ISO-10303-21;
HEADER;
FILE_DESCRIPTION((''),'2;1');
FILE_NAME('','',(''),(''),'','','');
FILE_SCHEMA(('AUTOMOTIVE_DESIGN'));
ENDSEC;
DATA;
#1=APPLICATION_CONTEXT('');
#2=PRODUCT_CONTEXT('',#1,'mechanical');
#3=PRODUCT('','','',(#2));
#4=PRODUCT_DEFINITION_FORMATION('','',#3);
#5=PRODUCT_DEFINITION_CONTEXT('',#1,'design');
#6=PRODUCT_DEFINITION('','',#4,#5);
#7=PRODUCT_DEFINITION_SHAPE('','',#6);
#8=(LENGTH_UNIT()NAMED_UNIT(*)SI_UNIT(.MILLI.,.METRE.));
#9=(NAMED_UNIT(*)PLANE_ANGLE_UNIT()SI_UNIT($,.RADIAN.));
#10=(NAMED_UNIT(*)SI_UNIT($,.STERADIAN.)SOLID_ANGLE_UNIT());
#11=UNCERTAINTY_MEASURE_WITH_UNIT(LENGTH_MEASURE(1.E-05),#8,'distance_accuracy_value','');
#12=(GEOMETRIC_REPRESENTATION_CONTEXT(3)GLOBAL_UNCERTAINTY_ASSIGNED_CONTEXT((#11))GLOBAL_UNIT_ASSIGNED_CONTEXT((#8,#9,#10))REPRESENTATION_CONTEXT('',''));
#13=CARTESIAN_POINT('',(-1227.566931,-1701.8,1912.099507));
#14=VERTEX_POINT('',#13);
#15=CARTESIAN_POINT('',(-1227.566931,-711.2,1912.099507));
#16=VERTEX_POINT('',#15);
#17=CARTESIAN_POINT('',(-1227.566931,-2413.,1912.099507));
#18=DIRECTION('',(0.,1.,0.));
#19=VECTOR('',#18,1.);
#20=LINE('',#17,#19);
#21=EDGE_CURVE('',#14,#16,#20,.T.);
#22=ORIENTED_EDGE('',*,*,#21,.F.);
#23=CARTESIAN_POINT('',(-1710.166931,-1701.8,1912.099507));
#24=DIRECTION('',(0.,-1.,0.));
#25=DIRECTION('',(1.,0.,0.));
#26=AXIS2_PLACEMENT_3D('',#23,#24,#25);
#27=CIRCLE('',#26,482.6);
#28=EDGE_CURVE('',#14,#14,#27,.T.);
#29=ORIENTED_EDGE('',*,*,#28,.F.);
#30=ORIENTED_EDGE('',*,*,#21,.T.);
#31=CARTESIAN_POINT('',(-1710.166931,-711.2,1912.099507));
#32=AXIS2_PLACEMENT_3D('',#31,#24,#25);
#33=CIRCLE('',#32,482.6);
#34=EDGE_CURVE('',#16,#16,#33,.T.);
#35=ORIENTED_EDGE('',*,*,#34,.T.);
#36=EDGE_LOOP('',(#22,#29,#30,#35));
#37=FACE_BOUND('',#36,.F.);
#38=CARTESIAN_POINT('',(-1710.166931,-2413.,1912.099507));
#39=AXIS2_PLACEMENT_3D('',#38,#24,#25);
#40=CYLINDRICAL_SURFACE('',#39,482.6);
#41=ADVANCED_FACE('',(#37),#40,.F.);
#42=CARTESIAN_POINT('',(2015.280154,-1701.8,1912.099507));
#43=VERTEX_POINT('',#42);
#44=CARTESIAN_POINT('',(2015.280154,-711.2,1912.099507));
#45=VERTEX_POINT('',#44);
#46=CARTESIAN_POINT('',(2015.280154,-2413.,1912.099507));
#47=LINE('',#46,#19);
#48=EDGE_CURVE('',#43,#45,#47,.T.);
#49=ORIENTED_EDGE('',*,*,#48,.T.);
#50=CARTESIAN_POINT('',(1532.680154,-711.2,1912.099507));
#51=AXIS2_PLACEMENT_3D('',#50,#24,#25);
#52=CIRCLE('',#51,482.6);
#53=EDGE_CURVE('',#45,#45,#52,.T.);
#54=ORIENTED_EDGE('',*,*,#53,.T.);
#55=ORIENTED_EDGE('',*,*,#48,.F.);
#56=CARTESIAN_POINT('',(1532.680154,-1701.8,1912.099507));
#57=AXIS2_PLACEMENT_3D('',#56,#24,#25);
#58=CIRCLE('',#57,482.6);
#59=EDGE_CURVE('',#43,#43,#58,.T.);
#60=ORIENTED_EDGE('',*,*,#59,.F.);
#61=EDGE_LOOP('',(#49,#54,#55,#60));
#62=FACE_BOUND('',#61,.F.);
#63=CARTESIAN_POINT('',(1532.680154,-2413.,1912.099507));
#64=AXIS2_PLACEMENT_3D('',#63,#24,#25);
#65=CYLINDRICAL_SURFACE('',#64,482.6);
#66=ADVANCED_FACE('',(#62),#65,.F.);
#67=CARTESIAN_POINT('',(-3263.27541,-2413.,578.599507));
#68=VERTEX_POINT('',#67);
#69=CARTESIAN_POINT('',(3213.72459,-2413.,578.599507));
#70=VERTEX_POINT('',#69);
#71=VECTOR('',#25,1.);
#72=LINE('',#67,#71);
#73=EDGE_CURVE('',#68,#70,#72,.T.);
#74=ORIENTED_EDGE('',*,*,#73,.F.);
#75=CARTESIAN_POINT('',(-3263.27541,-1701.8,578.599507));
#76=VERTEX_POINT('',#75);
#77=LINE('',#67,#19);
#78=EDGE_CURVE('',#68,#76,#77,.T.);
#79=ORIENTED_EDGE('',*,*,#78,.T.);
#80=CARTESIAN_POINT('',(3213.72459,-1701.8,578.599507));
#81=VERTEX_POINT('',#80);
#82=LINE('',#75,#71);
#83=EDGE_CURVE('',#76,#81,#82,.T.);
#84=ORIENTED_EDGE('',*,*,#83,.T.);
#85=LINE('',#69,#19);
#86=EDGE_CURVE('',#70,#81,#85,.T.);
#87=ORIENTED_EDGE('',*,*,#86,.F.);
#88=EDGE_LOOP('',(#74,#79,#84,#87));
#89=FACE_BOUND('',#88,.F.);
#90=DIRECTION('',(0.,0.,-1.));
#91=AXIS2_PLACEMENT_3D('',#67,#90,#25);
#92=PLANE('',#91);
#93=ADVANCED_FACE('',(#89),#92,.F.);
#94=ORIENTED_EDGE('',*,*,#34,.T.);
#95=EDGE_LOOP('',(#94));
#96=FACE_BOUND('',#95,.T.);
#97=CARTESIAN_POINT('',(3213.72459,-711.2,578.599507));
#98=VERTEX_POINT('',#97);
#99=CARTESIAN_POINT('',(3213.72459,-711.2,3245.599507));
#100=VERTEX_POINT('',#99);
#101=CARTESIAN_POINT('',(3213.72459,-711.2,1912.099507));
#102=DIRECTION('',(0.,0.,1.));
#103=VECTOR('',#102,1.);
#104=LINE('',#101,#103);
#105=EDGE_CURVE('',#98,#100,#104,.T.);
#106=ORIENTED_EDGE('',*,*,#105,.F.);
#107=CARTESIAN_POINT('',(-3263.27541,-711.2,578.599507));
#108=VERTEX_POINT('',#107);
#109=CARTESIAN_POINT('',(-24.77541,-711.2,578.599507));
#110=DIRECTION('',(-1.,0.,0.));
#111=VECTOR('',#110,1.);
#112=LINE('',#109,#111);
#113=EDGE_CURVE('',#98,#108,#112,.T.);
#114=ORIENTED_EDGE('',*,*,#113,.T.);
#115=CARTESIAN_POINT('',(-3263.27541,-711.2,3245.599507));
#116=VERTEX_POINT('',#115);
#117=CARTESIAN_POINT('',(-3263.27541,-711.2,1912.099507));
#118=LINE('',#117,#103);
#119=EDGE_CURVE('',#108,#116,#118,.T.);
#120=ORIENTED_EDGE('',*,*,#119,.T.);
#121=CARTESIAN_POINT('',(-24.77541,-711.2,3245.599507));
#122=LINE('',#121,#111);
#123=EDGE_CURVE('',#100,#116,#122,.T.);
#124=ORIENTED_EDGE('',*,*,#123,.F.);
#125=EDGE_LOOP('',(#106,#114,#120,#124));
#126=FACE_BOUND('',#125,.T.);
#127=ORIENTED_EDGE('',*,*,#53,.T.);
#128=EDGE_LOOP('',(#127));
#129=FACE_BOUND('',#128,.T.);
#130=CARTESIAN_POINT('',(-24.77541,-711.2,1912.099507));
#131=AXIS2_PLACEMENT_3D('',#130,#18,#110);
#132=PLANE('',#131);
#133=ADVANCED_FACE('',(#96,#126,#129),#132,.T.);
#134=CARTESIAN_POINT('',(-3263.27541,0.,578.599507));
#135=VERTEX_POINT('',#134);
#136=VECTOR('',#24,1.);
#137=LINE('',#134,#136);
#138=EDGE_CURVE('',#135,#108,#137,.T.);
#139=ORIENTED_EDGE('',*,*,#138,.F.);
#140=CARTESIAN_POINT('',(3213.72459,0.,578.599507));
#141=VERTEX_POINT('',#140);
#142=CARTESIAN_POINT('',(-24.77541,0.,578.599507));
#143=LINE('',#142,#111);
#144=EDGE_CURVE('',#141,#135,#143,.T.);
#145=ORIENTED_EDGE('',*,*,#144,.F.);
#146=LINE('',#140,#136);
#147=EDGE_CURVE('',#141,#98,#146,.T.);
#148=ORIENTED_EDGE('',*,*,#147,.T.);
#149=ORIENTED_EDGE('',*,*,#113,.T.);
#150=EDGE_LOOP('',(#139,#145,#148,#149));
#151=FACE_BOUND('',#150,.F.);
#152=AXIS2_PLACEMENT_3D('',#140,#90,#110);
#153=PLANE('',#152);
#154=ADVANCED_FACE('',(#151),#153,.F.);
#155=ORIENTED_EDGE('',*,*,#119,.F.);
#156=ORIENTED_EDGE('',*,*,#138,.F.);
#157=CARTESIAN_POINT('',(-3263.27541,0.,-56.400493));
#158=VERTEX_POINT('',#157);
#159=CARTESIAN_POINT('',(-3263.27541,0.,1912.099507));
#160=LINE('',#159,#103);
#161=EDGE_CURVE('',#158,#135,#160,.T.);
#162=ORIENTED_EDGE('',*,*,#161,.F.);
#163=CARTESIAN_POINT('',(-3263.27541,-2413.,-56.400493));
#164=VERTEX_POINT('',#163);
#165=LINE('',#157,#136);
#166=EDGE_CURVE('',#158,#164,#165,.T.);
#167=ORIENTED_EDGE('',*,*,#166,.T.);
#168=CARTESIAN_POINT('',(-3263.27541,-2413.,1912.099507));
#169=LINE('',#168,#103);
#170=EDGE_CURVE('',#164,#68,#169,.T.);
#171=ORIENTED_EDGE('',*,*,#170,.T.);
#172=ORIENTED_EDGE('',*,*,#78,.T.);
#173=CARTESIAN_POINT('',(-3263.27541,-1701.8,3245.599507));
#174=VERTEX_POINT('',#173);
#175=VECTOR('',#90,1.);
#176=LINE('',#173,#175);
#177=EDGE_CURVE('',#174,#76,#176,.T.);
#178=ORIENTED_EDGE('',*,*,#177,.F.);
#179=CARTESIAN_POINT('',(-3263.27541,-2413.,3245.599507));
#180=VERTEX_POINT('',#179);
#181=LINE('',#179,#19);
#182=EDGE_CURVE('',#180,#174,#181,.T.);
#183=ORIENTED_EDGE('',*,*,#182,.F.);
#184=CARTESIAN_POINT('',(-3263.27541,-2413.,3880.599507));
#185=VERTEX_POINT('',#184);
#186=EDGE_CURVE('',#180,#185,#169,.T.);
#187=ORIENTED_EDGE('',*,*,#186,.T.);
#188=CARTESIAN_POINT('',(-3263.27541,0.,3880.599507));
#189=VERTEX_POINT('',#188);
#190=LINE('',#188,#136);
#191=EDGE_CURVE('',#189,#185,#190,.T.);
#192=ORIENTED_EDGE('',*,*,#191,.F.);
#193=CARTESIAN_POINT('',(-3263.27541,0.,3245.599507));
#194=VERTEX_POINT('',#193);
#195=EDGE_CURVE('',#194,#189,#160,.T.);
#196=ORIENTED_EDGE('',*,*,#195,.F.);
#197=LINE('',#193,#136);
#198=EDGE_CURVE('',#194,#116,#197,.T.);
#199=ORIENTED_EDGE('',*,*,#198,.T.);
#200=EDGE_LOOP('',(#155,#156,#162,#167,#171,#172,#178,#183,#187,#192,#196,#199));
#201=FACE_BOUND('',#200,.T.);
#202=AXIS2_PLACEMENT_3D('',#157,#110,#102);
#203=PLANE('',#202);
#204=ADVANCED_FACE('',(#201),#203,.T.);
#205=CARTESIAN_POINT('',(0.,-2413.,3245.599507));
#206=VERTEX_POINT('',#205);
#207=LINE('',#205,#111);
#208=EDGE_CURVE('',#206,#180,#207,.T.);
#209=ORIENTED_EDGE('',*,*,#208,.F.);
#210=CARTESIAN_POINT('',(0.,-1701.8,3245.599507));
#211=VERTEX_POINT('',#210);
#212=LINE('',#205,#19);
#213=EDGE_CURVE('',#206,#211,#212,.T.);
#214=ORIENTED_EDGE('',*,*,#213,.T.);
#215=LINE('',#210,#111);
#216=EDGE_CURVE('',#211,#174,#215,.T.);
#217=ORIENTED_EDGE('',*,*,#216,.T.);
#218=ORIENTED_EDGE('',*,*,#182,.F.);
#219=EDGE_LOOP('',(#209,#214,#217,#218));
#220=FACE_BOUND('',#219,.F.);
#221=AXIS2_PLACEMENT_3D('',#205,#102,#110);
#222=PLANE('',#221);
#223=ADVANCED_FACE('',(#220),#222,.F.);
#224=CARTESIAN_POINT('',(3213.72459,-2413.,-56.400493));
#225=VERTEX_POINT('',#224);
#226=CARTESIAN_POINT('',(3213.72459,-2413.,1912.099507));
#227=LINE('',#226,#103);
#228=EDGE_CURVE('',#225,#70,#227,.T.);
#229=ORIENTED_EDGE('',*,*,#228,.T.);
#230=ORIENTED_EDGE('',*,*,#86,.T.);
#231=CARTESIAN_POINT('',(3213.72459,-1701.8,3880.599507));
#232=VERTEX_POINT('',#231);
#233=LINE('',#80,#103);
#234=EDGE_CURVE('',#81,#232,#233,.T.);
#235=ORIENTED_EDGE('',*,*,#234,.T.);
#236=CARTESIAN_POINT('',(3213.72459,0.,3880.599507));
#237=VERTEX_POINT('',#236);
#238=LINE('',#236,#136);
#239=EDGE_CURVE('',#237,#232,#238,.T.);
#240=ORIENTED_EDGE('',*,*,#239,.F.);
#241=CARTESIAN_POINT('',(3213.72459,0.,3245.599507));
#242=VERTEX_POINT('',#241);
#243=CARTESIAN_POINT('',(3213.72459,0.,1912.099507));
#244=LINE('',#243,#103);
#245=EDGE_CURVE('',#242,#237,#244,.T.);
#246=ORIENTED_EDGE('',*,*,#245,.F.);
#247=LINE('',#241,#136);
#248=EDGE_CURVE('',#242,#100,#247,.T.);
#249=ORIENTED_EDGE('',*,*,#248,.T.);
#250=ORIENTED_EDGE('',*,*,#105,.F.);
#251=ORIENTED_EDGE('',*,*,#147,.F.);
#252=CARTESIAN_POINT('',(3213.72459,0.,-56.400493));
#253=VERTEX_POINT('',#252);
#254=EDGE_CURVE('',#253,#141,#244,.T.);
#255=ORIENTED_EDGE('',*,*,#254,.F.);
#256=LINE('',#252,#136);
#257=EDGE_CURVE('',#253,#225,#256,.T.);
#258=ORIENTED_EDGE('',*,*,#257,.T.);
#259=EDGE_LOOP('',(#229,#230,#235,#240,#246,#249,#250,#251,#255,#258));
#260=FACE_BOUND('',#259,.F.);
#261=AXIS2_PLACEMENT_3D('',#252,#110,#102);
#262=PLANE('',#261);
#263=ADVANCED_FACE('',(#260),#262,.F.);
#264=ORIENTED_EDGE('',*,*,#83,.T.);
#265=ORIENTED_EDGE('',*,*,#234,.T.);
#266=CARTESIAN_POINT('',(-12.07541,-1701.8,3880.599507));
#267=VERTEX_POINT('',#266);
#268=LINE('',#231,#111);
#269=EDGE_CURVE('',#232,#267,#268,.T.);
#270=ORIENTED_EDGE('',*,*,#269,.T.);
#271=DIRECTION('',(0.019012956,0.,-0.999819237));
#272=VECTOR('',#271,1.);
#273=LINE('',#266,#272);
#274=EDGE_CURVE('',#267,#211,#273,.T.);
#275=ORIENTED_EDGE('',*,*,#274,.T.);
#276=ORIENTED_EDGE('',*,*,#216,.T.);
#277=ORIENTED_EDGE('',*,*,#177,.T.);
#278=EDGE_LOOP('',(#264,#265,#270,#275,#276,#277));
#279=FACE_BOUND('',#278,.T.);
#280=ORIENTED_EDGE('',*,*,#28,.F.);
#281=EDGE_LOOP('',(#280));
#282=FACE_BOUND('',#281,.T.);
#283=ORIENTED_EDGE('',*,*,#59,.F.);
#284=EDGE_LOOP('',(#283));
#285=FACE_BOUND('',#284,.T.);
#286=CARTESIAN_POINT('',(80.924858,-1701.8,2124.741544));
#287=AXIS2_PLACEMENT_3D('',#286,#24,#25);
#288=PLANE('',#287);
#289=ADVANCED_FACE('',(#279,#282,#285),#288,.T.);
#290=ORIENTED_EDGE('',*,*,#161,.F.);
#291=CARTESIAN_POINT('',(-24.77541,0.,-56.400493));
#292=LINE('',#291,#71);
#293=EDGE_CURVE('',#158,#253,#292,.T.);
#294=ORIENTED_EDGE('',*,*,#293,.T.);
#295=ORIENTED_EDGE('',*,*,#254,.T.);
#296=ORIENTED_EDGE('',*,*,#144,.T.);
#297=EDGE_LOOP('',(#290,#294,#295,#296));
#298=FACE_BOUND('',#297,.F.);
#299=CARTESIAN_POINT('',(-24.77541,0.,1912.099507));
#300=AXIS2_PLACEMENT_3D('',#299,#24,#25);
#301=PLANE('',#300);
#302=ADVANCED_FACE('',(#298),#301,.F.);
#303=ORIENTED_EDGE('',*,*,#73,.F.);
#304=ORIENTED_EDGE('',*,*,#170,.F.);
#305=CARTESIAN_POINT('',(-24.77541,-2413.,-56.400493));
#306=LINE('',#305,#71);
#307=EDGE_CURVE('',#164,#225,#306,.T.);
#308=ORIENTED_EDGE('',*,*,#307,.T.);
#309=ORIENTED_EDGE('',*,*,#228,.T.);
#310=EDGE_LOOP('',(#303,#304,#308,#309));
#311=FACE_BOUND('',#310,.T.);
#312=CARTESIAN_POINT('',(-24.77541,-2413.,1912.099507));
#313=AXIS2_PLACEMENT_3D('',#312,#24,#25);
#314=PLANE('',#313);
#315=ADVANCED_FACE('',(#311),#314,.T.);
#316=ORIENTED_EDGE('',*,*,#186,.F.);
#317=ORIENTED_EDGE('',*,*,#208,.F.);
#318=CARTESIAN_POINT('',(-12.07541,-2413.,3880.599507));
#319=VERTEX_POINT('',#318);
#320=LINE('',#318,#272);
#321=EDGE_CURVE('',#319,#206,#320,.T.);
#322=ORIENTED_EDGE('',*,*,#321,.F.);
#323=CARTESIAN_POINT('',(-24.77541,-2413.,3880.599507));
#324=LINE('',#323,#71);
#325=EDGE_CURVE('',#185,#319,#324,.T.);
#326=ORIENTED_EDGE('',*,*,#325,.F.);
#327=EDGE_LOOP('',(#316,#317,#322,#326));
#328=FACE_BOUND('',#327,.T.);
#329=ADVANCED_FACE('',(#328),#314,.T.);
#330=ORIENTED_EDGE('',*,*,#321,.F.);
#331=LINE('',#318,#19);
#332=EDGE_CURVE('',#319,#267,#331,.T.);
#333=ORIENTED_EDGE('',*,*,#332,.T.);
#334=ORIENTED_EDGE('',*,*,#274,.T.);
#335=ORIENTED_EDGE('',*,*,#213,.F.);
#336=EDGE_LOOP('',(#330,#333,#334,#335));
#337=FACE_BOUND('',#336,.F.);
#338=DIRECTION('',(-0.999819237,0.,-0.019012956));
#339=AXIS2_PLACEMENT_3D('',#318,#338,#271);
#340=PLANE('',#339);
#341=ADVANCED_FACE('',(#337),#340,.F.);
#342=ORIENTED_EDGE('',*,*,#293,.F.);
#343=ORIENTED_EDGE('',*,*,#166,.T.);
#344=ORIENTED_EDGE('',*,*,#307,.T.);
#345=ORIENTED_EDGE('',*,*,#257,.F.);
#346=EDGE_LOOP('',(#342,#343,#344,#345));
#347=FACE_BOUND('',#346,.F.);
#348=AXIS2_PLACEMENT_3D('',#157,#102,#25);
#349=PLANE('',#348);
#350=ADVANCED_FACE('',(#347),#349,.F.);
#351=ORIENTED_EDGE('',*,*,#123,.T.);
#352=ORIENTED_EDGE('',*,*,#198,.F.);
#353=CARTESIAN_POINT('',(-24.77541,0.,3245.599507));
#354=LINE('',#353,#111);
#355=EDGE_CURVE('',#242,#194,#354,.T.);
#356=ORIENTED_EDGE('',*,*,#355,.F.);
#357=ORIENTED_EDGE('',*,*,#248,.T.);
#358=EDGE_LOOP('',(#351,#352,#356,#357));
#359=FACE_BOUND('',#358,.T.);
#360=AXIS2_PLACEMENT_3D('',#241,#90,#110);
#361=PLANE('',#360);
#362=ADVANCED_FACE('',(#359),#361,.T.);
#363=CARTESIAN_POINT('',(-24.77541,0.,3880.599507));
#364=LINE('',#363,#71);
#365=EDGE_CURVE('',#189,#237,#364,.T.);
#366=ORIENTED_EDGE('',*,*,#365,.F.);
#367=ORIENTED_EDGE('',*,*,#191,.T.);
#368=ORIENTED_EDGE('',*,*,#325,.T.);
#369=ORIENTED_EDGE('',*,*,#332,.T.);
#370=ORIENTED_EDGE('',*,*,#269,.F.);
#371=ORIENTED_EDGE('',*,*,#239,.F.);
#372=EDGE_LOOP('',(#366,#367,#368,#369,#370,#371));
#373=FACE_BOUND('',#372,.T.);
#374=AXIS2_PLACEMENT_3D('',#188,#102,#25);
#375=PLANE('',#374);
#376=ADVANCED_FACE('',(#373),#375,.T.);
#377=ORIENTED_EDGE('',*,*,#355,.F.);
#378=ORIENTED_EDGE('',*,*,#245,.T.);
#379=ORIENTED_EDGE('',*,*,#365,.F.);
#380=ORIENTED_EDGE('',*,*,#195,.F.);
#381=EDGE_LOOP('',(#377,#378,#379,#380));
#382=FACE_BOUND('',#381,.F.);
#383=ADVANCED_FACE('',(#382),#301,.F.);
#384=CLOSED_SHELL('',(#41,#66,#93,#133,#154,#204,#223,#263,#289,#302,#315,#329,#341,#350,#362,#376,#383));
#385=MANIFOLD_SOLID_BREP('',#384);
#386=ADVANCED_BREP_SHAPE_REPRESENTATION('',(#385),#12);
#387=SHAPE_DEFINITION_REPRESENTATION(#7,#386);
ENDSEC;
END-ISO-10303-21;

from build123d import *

# Parameters (mm, degrees)
F0_W     = 6477
F0_H     = 3937
F1_DEPTH = 2413
F2_R     = 482.6
F3_DEPTH = 711.2
F4_DEPTH = 1701.8
F5_W     = 6477
F5_H     = 2667
F6_DEPTH = 711.2


with BuildPart() as f1:
    # F0 (on Front) → F1 (new body)
    with BuildSketch(Plane.XZ):
        with Locations((-24.775410071, 1912.0995072126)):
            Rectangle(F0_W, F0_H)
    extrude(amount=F1_DEPTH)

    # F2 (on face) → F3 (cut)
    with BuildSketch(Plane.XZ.offset(2413)):
        Polygon((3213.724589929, 578.5995072126), (3213.724589929, 3880.5995072126), (-12.075410071, 3880.5995072126), (0, 3245.5995072126), (-3263.275410071, 3245.5995072126), (-3263.275410071, 578.5995072126), align=None)
        with Locations((-1710.1669311523, 1912.0995072126)):
            Circle(F2_R, mode=Mode.SUBTRACT)
        with Locations((1532.6801538467, 1912.0995072126)):
            Circle(F2_R, mode=Mode.SUBTRACT)
    extrude(amount=-F3_DEPTH, mode=Mode.SUBTRACT)

    # F4 (cut): faces of the model
    f4_faces = [f1.faces().sort_by_distance(p)[0] for p in [
        (-1710.1669311523, -2413, 1912.0995072126),
        (1532.6801538467, -2413, 1912.0995072126),
    ]]
    extrude(f4_faces, amount=-F4_DEPTH, mode=Mode.SUBTRACT)

    # F5 (on face) → F6 (cut)
    with BuildSketch(Plane(origin=(0, 0, 0), x_dir=(-1, 0, 0), z_dir=(0, 1, 0))):
        with Locations((24.775410071, 1912.0995072126)):
            Rectangle(F5_W, F5_H)
    extrude(amount=-F6_DEPTH, mode=Mode.SUBTRACT)


solid = f1.part
